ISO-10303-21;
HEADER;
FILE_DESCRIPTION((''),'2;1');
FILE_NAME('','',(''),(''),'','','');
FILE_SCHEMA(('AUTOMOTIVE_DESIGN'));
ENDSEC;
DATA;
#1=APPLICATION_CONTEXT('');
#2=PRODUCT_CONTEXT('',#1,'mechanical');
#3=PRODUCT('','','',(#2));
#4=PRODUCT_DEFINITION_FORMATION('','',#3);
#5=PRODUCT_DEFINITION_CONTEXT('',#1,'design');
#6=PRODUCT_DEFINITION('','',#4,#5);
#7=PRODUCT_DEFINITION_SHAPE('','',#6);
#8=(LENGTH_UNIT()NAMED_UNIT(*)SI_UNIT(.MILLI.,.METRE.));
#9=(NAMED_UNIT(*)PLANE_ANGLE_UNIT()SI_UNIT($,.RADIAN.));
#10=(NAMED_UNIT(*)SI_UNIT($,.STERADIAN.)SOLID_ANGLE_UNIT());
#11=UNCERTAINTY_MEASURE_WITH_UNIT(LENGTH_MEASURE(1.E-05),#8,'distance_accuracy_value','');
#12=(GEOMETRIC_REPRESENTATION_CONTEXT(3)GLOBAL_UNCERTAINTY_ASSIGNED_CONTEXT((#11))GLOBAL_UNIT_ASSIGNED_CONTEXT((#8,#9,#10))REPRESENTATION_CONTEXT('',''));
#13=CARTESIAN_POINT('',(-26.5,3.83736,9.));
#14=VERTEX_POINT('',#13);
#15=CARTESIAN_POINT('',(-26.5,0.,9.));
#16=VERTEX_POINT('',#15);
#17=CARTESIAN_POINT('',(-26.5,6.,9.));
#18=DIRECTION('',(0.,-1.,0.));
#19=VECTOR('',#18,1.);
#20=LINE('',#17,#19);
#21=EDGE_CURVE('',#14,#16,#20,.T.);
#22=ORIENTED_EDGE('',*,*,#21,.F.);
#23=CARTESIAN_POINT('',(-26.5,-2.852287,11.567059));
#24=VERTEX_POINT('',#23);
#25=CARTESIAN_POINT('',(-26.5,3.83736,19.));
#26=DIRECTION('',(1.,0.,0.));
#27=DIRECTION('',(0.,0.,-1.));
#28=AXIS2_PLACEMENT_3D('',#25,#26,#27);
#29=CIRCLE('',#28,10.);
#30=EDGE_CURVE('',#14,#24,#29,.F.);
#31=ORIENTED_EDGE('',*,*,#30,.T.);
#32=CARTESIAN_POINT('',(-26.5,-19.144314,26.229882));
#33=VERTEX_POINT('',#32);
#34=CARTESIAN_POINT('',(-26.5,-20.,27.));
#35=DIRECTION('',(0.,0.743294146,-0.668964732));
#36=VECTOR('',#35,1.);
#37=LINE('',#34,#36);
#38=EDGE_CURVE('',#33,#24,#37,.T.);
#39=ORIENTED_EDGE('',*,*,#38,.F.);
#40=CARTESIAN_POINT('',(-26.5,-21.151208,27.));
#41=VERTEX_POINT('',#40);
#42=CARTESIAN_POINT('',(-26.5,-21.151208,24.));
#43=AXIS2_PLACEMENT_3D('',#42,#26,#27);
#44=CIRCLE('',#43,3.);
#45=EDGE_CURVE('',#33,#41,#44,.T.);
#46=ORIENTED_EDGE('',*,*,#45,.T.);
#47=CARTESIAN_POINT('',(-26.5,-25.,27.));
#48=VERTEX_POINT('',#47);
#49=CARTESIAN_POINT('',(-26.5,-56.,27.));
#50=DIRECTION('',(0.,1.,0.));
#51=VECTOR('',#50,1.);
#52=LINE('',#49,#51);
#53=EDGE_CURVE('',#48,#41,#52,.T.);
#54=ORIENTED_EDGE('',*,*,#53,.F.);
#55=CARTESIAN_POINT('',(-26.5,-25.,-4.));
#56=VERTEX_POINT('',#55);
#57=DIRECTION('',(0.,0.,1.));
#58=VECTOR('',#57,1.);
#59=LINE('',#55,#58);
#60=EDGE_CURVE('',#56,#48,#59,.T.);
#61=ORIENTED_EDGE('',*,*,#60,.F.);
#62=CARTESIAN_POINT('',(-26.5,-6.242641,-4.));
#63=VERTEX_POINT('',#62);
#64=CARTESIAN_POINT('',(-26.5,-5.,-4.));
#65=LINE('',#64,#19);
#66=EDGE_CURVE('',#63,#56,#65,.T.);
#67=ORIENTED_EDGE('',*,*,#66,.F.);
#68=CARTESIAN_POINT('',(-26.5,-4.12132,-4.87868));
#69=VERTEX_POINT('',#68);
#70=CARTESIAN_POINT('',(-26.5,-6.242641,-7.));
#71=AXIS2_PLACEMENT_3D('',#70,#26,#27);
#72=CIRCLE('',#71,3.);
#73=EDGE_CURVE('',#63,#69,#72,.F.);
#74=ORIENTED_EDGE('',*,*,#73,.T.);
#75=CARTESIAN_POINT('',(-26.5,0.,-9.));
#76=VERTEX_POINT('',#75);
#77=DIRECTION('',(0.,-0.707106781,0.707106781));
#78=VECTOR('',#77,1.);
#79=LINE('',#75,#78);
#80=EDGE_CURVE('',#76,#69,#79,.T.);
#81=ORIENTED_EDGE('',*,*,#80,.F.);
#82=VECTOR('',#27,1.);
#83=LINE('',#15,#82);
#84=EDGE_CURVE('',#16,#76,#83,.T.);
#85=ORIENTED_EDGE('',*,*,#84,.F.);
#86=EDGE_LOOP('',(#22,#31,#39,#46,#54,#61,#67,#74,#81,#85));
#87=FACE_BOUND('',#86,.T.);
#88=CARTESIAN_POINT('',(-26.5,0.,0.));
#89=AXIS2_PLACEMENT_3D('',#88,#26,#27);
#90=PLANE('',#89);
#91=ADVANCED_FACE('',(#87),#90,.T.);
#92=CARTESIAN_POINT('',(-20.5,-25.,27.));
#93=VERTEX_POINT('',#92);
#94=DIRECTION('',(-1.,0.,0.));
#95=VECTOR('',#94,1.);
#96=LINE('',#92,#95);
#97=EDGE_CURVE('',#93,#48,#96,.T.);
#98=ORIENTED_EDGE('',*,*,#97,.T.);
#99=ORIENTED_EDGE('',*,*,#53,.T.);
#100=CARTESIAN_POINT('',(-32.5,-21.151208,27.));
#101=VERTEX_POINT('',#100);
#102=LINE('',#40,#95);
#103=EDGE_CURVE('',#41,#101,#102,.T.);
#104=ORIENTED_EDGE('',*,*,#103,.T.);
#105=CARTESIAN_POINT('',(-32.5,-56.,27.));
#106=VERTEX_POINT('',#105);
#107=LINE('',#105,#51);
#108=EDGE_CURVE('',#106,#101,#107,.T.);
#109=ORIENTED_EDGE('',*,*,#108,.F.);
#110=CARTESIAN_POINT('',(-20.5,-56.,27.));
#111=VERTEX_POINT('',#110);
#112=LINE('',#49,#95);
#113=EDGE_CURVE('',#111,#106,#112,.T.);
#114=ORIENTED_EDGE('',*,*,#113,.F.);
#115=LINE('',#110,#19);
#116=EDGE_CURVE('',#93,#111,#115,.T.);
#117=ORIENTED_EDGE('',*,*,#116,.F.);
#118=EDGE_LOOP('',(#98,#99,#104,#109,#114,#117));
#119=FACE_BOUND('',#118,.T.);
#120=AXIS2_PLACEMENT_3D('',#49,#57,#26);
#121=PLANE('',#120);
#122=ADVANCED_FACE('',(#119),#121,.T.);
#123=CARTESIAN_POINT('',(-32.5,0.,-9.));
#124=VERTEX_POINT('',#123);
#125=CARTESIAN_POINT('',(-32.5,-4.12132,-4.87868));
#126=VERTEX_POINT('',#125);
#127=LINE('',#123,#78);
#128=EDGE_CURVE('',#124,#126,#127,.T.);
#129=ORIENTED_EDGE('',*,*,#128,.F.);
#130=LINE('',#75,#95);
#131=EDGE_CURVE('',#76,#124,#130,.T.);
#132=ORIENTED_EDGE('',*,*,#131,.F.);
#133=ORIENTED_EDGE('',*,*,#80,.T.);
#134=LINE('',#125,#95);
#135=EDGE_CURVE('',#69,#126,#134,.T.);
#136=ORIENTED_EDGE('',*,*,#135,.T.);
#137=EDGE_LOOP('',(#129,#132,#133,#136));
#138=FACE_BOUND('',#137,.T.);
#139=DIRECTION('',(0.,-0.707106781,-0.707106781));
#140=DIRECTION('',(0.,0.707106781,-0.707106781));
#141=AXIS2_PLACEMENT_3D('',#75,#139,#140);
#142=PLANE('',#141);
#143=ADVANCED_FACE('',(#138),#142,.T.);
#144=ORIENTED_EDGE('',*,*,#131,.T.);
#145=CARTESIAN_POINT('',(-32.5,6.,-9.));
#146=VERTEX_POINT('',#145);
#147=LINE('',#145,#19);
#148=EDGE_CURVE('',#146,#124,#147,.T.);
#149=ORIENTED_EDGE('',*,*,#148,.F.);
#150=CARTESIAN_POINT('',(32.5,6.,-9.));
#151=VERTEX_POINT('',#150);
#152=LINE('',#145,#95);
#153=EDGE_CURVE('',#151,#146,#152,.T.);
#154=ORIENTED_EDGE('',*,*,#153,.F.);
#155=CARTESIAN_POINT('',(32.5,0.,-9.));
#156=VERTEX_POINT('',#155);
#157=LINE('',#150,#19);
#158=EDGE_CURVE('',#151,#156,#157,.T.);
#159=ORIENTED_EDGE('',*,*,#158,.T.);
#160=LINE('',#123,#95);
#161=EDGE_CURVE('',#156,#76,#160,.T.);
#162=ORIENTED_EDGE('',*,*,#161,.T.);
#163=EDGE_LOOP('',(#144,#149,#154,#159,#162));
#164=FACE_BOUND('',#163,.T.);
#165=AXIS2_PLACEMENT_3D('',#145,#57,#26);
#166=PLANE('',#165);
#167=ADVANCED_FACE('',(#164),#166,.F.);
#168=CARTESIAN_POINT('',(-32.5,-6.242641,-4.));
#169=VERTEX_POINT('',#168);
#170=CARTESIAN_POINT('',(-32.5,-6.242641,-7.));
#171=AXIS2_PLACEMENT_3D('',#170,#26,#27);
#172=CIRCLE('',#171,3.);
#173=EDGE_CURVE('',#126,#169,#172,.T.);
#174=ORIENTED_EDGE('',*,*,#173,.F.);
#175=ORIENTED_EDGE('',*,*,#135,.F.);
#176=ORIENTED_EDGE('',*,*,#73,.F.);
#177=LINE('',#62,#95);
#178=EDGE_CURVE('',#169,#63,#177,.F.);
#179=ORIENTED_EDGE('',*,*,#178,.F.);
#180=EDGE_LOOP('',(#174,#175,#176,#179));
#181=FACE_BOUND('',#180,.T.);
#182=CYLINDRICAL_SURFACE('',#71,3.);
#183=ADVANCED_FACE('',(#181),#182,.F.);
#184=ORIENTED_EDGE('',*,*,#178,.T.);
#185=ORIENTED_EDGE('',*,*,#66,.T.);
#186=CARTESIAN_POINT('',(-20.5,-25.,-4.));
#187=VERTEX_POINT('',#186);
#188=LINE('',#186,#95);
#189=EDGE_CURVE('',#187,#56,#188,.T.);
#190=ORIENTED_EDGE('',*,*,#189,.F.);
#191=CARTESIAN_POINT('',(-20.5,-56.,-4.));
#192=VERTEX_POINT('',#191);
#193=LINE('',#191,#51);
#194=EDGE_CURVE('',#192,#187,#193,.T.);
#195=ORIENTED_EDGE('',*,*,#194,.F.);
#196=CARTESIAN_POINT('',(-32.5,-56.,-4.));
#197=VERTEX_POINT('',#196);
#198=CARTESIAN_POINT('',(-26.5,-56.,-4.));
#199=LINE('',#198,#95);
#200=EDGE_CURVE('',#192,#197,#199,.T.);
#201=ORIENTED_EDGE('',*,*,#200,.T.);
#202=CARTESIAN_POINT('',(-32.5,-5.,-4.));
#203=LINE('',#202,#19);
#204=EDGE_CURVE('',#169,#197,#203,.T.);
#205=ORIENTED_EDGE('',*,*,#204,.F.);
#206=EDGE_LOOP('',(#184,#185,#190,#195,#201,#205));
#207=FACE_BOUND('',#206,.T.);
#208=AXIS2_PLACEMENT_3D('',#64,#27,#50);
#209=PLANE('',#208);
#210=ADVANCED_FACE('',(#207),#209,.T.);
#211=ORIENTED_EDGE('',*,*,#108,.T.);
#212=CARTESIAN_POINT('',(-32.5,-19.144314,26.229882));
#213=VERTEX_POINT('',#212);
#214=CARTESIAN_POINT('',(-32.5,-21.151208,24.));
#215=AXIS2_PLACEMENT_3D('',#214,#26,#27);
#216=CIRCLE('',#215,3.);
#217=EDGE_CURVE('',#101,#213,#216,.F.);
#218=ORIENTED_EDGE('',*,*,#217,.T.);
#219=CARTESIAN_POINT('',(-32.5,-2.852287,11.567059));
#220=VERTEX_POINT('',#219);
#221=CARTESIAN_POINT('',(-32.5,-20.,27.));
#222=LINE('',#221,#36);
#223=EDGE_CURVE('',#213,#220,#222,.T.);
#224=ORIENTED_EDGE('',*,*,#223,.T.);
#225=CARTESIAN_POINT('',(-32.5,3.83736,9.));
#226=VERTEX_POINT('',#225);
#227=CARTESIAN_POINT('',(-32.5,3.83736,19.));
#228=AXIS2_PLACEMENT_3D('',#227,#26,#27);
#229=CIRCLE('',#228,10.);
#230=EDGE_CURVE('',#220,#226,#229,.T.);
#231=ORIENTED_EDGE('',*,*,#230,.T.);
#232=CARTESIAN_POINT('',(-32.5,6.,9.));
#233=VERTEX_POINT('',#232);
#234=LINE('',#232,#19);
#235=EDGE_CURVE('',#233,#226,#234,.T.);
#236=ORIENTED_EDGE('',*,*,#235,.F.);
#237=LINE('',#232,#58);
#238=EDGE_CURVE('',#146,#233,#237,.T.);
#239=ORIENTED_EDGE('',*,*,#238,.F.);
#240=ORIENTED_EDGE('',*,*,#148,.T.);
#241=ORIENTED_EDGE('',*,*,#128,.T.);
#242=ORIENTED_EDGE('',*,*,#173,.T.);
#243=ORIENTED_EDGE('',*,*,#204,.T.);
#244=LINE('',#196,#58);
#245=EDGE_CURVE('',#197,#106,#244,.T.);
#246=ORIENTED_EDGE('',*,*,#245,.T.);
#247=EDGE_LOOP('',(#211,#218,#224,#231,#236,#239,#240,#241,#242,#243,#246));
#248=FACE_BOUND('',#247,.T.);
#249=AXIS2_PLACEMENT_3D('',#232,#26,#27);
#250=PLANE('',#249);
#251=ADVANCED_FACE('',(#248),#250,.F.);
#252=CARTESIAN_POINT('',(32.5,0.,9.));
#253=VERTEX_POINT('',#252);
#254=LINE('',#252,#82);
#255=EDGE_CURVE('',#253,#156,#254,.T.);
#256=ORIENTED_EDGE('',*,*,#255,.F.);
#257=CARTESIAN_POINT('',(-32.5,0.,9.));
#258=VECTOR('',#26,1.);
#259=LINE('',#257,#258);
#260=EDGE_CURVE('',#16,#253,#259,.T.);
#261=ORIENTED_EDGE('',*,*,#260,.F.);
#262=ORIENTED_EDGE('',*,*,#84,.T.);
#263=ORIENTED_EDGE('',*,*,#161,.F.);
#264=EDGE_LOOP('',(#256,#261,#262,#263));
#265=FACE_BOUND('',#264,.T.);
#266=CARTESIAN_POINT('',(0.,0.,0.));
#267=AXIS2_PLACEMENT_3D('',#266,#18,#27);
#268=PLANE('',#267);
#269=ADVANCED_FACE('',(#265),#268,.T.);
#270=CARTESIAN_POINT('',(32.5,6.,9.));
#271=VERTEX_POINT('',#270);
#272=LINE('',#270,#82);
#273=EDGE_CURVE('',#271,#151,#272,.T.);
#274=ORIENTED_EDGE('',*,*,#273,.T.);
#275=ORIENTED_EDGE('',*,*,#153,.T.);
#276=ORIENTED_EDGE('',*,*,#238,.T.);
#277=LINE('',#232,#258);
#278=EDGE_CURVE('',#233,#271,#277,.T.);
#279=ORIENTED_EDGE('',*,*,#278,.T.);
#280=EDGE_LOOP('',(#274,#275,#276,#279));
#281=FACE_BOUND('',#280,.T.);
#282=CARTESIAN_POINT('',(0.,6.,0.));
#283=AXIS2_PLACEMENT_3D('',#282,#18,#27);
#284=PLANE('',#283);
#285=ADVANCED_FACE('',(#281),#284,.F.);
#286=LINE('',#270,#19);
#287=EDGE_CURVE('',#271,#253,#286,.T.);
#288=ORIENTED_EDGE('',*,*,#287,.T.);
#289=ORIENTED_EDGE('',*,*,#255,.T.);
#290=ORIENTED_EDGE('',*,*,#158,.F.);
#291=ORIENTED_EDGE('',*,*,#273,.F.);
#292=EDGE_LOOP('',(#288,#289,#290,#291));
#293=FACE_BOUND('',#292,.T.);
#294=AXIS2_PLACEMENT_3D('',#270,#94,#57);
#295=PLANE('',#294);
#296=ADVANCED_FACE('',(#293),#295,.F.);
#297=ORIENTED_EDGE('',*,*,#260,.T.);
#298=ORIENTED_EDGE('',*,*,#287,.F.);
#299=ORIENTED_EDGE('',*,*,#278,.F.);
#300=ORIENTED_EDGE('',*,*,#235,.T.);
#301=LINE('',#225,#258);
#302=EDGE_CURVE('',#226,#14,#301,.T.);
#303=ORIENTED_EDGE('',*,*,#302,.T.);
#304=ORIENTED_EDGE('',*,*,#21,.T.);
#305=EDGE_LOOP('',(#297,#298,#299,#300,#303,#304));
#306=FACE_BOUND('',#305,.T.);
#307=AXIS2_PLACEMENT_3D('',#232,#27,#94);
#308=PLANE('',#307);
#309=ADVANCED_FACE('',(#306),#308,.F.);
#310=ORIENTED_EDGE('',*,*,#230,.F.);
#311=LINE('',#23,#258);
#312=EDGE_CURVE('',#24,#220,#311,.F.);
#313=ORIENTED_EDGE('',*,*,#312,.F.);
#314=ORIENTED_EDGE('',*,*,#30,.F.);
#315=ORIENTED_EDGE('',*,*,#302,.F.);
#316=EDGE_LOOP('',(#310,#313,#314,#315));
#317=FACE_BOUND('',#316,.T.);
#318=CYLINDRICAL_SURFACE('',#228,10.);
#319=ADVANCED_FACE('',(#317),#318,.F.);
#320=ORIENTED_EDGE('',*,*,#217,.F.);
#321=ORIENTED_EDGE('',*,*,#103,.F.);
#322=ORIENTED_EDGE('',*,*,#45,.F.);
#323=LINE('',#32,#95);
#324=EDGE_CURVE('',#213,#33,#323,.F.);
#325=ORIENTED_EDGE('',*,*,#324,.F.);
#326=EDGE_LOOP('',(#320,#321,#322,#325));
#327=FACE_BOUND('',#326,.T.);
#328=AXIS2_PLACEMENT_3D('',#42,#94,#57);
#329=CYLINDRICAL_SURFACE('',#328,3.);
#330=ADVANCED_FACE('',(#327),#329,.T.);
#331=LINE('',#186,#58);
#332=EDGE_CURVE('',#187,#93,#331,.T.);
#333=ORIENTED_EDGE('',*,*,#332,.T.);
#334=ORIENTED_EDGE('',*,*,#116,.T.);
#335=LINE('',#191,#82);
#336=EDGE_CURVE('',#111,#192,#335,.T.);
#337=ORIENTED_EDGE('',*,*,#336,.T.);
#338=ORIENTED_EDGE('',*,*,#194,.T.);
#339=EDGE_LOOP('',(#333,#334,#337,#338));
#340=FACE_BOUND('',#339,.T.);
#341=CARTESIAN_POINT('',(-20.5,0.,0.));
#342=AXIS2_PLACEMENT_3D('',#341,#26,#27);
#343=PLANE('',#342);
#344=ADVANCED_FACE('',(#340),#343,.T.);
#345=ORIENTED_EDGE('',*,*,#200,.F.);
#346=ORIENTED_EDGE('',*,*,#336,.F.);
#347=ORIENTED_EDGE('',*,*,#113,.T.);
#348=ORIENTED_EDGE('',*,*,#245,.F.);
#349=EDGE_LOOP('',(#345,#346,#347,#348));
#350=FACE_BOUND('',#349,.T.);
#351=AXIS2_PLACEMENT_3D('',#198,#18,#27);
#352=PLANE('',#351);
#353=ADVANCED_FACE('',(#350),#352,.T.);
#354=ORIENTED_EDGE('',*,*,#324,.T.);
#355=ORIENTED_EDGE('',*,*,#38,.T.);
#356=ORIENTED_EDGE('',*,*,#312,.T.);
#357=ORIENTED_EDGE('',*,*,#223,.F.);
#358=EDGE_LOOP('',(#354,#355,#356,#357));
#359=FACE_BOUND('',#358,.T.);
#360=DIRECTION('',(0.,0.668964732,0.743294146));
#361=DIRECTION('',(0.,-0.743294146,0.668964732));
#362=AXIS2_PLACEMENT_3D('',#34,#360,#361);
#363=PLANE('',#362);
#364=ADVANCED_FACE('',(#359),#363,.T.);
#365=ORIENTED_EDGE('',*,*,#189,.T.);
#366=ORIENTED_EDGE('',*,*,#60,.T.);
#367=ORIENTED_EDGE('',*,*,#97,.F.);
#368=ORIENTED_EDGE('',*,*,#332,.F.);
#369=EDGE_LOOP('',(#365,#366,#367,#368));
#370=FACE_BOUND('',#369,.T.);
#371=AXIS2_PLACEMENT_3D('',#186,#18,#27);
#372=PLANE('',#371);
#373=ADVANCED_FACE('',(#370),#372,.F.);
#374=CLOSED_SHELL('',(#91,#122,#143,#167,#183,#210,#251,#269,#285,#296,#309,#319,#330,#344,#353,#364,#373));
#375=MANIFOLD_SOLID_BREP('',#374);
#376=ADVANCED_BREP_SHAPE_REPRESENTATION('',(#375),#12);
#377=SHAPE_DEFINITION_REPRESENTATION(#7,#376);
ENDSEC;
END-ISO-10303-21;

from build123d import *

# Parameters (mm, degrees)
SKETCH1_W           = 65
SKETCH1_H           = 18
BOSS_EXTRUDE1_DEPTH = 6
BOSS_EXTRUDE2_DEPTH = 6
FILLET1_R           = 10
FILLET3_R           = 3
SKETCH3_W           = 31
SKETCH3_H           = 31
BOSS_EXTRUDE3_DEPTH = 6


with BuildPart() as part:
    # Sketch1 → Boss-Extrude1 (new body)
    with BuildSketch(Plane(origin=(0, 0, 0), x_dir=(1, 0, 0), z_dir=(0, 1, 0))):
        Rectangle(SKETCH1_W, SKETCH1_H)
    extrude(amount=BOSS_EXTRUDE1_DEPTH)

    # Sketch2 → Boss-Extrude2 (add)
    with BuildSketch(Plane.ZY.offset(32.5)):
        Polygon((9, 0), (-9, 0), (-4, -5), (-4, -56), (27, -56), (27, -20), align=None)
    extrude(amount=-BOSS_EXTRUDE2_DEPTH)

    # Fillet1
    fillet1_edges = [part.edges().sort_by_distance(p)[0] for p in [
        (-29.5, 0, 9),
    ]]
    fillet(fillet1_edges, radius=FILLET1_R)

    # Fillet3
    fillet3_edges = [part.edges().sort_by_distance(p)[0] for p in [
        (-29.5, -20, 27),
        (-29.5, -5, -4),
    ]]
    fillet(fillet3_edges, radius=FILLET3_R)

    # Sketch3 → Boss-Extrude3 (add)
    with BuildSketch(Plane(origin=(-26.5, 0, 0), x_dir=(0, 0, -1), z_dir=(1, 0, 0))):
        with Locations((-11.5, -40.5)):
            Rectangle(SKETCH3_W, SKETCH3_H)
    extrude(amount=BOSS_EXTRUDE3_DEPTH)


solid = part.part
